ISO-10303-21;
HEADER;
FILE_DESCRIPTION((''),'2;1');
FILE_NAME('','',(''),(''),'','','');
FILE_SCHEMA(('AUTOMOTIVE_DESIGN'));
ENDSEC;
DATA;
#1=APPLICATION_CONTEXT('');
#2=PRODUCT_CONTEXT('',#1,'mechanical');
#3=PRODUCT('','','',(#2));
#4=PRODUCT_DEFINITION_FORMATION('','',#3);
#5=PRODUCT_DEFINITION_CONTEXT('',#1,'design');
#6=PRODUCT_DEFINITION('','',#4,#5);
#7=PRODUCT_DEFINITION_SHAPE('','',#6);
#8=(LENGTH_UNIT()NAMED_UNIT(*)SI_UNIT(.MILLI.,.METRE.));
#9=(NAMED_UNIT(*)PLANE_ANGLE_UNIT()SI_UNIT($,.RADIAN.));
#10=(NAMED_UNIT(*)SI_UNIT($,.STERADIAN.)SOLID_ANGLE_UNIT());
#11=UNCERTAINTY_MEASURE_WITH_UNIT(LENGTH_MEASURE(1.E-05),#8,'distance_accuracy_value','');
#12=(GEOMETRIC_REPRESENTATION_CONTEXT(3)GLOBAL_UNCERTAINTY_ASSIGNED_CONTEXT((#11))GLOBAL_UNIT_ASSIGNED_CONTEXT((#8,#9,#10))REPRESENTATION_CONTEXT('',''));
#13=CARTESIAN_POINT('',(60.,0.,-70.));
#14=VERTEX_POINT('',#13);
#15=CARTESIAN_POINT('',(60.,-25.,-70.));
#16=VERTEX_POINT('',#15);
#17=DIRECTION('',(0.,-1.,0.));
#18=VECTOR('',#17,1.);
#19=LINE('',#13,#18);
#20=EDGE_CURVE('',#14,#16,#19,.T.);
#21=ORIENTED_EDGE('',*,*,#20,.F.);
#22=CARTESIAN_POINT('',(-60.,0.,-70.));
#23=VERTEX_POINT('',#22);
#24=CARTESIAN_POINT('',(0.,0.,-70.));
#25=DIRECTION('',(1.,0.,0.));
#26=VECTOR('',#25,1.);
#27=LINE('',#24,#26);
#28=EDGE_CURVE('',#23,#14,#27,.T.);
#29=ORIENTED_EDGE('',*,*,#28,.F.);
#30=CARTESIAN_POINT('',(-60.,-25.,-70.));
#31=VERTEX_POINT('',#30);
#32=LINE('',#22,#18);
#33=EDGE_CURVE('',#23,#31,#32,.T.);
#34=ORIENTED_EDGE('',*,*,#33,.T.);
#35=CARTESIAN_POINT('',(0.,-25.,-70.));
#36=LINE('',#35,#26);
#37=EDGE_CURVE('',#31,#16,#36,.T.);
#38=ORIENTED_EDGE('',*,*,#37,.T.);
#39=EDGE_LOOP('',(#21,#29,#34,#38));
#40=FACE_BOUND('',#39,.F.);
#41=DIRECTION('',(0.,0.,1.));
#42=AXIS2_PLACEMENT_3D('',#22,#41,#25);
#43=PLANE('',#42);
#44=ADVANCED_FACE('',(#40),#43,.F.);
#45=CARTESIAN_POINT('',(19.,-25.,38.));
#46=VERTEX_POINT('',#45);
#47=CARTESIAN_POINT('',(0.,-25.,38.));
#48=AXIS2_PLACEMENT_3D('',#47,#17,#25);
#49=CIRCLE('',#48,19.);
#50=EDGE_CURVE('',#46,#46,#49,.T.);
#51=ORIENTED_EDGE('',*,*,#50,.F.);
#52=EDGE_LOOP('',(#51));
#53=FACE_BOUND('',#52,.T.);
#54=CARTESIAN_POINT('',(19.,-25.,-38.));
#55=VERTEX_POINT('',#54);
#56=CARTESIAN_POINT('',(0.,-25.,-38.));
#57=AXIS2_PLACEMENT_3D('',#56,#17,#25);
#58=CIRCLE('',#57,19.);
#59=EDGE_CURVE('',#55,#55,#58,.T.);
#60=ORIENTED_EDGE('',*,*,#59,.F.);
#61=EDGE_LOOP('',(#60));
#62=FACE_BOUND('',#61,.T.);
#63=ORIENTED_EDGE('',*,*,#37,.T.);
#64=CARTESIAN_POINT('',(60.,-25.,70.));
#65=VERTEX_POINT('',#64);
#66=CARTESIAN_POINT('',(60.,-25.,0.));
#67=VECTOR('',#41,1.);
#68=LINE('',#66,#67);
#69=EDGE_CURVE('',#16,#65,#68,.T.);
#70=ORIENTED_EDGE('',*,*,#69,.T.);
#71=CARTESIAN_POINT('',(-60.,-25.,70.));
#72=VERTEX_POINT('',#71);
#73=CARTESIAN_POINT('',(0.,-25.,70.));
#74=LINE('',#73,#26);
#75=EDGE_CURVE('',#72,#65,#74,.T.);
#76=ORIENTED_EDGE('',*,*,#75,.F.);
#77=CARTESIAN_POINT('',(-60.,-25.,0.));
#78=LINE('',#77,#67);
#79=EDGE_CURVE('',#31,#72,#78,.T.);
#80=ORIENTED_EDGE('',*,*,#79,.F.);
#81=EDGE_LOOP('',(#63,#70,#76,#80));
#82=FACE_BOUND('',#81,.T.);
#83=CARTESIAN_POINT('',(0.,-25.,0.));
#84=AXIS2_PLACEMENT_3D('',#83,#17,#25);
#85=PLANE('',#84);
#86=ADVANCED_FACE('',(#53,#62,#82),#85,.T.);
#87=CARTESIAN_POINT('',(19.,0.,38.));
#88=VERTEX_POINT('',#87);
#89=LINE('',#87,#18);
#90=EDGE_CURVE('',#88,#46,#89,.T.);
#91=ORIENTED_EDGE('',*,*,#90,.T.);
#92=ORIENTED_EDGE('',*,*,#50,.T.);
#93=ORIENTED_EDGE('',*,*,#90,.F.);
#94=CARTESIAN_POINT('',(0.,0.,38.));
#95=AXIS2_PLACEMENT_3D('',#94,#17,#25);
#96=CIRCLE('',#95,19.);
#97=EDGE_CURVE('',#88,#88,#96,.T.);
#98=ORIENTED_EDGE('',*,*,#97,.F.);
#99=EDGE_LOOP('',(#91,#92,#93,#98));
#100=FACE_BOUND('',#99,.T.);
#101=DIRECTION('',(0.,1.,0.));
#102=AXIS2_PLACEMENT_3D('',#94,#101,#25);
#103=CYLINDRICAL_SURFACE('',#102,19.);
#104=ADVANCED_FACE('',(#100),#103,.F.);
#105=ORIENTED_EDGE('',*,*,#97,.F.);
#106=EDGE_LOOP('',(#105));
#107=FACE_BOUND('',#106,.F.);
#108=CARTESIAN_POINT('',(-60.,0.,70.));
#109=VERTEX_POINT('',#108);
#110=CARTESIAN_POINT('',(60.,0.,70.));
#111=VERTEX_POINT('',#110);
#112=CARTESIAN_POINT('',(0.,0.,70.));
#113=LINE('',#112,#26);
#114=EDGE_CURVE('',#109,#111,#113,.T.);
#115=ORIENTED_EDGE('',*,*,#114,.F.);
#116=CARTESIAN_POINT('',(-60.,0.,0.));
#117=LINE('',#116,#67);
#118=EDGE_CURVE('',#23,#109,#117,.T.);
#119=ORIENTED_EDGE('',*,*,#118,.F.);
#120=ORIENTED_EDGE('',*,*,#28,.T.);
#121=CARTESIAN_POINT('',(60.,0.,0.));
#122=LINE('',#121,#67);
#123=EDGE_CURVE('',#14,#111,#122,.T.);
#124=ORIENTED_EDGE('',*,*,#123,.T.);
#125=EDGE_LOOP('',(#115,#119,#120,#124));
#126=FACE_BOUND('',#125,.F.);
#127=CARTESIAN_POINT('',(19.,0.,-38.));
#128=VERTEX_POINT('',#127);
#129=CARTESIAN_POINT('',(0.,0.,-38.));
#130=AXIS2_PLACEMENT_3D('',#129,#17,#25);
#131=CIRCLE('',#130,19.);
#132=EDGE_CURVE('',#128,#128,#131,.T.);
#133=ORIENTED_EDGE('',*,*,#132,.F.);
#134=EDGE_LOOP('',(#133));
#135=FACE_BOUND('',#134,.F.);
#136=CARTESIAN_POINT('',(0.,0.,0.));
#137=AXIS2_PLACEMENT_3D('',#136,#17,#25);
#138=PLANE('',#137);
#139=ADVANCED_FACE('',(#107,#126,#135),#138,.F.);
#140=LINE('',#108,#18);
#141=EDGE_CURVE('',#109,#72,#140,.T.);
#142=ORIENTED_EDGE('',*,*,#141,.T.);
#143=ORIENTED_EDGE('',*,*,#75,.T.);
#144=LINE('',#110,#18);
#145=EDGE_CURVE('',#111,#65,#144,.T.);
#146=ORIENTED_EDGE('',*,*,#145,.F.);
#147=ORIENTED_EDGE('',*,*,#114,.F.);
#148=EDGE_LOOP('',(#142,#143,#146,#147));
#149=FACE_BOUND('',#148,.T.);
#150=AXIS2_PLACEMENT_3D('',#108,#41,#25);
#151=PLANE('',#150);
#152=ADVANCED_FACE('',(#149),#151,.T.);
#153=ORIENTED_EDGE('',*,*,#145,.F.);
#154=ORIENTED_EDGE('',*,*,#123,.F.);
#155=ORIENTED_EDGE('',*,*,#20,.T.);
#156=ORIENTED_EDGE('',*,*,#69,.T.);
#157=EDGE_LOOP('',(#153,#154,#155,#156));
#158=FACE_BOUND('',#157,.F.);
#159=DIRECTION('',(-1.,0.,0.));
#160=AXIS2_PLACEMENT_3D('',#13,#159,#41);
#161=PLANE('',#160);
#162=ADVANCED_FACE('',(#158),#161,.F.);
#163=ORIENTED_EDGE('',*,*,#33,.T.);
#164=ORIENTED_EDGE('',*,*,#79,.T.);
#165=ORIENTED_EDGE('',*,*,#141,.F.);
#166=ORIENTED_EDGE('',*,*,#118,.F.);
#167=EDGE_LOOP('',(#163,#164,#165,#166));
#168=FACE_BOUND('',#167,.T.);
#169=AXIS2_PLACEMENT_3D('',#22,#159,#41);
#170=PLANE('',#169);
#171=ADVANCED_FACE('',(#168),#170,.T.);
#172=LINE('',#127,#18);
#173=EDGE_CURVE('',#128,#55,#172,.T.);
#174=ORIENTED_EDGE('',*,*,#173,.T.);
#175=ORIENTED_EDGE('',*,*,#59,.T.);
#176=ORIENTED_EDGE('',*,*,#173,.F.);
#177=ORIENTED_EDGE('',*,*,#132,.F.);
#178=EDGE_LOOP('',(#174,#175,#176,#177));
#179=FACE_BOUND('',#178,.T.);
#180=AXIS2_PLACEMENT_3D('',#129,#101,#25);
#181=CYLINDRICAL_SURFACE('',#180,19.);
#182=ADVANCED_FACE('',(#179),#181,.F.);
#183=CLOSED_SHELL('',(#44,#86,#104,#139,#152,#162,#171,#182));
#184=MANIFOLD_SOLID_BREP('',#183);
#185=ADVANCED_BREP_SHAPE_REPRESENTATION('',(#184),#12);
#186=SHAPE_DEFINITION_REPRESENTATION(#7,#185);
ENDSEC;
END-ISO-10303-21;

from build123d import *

# Parameters (mm, degrees)
F0_W     = 120
F0_H     = 140
F0_R     = 19
F1_DEPTH = 25
F2_DEPTH = 25


with BuildPart() as f1:
    # F0 (on Front) → F1 (new body)
    with BuildSketch(Plane.XZ):
        Rectangle(F0_W, F0_H)
        with Locations((0, -38)):
            Circle(F0_R, mode=Mode.SUBTRACT)
        with Locations((0, 38)):
            Circle(F0_R, mode=Mode.SUBTRACT)
    extrude(amount=F1_DEPTH)

    # F0 (on Front) → F2 (cut)
    with BuildSketch(Plane.XZ):
        with Locations((0, 38)):
            Circle(F0_R)
    extrude(amount=F2_DEPTH, mode=Mode.SUBTRACT)


solid = f1.part
